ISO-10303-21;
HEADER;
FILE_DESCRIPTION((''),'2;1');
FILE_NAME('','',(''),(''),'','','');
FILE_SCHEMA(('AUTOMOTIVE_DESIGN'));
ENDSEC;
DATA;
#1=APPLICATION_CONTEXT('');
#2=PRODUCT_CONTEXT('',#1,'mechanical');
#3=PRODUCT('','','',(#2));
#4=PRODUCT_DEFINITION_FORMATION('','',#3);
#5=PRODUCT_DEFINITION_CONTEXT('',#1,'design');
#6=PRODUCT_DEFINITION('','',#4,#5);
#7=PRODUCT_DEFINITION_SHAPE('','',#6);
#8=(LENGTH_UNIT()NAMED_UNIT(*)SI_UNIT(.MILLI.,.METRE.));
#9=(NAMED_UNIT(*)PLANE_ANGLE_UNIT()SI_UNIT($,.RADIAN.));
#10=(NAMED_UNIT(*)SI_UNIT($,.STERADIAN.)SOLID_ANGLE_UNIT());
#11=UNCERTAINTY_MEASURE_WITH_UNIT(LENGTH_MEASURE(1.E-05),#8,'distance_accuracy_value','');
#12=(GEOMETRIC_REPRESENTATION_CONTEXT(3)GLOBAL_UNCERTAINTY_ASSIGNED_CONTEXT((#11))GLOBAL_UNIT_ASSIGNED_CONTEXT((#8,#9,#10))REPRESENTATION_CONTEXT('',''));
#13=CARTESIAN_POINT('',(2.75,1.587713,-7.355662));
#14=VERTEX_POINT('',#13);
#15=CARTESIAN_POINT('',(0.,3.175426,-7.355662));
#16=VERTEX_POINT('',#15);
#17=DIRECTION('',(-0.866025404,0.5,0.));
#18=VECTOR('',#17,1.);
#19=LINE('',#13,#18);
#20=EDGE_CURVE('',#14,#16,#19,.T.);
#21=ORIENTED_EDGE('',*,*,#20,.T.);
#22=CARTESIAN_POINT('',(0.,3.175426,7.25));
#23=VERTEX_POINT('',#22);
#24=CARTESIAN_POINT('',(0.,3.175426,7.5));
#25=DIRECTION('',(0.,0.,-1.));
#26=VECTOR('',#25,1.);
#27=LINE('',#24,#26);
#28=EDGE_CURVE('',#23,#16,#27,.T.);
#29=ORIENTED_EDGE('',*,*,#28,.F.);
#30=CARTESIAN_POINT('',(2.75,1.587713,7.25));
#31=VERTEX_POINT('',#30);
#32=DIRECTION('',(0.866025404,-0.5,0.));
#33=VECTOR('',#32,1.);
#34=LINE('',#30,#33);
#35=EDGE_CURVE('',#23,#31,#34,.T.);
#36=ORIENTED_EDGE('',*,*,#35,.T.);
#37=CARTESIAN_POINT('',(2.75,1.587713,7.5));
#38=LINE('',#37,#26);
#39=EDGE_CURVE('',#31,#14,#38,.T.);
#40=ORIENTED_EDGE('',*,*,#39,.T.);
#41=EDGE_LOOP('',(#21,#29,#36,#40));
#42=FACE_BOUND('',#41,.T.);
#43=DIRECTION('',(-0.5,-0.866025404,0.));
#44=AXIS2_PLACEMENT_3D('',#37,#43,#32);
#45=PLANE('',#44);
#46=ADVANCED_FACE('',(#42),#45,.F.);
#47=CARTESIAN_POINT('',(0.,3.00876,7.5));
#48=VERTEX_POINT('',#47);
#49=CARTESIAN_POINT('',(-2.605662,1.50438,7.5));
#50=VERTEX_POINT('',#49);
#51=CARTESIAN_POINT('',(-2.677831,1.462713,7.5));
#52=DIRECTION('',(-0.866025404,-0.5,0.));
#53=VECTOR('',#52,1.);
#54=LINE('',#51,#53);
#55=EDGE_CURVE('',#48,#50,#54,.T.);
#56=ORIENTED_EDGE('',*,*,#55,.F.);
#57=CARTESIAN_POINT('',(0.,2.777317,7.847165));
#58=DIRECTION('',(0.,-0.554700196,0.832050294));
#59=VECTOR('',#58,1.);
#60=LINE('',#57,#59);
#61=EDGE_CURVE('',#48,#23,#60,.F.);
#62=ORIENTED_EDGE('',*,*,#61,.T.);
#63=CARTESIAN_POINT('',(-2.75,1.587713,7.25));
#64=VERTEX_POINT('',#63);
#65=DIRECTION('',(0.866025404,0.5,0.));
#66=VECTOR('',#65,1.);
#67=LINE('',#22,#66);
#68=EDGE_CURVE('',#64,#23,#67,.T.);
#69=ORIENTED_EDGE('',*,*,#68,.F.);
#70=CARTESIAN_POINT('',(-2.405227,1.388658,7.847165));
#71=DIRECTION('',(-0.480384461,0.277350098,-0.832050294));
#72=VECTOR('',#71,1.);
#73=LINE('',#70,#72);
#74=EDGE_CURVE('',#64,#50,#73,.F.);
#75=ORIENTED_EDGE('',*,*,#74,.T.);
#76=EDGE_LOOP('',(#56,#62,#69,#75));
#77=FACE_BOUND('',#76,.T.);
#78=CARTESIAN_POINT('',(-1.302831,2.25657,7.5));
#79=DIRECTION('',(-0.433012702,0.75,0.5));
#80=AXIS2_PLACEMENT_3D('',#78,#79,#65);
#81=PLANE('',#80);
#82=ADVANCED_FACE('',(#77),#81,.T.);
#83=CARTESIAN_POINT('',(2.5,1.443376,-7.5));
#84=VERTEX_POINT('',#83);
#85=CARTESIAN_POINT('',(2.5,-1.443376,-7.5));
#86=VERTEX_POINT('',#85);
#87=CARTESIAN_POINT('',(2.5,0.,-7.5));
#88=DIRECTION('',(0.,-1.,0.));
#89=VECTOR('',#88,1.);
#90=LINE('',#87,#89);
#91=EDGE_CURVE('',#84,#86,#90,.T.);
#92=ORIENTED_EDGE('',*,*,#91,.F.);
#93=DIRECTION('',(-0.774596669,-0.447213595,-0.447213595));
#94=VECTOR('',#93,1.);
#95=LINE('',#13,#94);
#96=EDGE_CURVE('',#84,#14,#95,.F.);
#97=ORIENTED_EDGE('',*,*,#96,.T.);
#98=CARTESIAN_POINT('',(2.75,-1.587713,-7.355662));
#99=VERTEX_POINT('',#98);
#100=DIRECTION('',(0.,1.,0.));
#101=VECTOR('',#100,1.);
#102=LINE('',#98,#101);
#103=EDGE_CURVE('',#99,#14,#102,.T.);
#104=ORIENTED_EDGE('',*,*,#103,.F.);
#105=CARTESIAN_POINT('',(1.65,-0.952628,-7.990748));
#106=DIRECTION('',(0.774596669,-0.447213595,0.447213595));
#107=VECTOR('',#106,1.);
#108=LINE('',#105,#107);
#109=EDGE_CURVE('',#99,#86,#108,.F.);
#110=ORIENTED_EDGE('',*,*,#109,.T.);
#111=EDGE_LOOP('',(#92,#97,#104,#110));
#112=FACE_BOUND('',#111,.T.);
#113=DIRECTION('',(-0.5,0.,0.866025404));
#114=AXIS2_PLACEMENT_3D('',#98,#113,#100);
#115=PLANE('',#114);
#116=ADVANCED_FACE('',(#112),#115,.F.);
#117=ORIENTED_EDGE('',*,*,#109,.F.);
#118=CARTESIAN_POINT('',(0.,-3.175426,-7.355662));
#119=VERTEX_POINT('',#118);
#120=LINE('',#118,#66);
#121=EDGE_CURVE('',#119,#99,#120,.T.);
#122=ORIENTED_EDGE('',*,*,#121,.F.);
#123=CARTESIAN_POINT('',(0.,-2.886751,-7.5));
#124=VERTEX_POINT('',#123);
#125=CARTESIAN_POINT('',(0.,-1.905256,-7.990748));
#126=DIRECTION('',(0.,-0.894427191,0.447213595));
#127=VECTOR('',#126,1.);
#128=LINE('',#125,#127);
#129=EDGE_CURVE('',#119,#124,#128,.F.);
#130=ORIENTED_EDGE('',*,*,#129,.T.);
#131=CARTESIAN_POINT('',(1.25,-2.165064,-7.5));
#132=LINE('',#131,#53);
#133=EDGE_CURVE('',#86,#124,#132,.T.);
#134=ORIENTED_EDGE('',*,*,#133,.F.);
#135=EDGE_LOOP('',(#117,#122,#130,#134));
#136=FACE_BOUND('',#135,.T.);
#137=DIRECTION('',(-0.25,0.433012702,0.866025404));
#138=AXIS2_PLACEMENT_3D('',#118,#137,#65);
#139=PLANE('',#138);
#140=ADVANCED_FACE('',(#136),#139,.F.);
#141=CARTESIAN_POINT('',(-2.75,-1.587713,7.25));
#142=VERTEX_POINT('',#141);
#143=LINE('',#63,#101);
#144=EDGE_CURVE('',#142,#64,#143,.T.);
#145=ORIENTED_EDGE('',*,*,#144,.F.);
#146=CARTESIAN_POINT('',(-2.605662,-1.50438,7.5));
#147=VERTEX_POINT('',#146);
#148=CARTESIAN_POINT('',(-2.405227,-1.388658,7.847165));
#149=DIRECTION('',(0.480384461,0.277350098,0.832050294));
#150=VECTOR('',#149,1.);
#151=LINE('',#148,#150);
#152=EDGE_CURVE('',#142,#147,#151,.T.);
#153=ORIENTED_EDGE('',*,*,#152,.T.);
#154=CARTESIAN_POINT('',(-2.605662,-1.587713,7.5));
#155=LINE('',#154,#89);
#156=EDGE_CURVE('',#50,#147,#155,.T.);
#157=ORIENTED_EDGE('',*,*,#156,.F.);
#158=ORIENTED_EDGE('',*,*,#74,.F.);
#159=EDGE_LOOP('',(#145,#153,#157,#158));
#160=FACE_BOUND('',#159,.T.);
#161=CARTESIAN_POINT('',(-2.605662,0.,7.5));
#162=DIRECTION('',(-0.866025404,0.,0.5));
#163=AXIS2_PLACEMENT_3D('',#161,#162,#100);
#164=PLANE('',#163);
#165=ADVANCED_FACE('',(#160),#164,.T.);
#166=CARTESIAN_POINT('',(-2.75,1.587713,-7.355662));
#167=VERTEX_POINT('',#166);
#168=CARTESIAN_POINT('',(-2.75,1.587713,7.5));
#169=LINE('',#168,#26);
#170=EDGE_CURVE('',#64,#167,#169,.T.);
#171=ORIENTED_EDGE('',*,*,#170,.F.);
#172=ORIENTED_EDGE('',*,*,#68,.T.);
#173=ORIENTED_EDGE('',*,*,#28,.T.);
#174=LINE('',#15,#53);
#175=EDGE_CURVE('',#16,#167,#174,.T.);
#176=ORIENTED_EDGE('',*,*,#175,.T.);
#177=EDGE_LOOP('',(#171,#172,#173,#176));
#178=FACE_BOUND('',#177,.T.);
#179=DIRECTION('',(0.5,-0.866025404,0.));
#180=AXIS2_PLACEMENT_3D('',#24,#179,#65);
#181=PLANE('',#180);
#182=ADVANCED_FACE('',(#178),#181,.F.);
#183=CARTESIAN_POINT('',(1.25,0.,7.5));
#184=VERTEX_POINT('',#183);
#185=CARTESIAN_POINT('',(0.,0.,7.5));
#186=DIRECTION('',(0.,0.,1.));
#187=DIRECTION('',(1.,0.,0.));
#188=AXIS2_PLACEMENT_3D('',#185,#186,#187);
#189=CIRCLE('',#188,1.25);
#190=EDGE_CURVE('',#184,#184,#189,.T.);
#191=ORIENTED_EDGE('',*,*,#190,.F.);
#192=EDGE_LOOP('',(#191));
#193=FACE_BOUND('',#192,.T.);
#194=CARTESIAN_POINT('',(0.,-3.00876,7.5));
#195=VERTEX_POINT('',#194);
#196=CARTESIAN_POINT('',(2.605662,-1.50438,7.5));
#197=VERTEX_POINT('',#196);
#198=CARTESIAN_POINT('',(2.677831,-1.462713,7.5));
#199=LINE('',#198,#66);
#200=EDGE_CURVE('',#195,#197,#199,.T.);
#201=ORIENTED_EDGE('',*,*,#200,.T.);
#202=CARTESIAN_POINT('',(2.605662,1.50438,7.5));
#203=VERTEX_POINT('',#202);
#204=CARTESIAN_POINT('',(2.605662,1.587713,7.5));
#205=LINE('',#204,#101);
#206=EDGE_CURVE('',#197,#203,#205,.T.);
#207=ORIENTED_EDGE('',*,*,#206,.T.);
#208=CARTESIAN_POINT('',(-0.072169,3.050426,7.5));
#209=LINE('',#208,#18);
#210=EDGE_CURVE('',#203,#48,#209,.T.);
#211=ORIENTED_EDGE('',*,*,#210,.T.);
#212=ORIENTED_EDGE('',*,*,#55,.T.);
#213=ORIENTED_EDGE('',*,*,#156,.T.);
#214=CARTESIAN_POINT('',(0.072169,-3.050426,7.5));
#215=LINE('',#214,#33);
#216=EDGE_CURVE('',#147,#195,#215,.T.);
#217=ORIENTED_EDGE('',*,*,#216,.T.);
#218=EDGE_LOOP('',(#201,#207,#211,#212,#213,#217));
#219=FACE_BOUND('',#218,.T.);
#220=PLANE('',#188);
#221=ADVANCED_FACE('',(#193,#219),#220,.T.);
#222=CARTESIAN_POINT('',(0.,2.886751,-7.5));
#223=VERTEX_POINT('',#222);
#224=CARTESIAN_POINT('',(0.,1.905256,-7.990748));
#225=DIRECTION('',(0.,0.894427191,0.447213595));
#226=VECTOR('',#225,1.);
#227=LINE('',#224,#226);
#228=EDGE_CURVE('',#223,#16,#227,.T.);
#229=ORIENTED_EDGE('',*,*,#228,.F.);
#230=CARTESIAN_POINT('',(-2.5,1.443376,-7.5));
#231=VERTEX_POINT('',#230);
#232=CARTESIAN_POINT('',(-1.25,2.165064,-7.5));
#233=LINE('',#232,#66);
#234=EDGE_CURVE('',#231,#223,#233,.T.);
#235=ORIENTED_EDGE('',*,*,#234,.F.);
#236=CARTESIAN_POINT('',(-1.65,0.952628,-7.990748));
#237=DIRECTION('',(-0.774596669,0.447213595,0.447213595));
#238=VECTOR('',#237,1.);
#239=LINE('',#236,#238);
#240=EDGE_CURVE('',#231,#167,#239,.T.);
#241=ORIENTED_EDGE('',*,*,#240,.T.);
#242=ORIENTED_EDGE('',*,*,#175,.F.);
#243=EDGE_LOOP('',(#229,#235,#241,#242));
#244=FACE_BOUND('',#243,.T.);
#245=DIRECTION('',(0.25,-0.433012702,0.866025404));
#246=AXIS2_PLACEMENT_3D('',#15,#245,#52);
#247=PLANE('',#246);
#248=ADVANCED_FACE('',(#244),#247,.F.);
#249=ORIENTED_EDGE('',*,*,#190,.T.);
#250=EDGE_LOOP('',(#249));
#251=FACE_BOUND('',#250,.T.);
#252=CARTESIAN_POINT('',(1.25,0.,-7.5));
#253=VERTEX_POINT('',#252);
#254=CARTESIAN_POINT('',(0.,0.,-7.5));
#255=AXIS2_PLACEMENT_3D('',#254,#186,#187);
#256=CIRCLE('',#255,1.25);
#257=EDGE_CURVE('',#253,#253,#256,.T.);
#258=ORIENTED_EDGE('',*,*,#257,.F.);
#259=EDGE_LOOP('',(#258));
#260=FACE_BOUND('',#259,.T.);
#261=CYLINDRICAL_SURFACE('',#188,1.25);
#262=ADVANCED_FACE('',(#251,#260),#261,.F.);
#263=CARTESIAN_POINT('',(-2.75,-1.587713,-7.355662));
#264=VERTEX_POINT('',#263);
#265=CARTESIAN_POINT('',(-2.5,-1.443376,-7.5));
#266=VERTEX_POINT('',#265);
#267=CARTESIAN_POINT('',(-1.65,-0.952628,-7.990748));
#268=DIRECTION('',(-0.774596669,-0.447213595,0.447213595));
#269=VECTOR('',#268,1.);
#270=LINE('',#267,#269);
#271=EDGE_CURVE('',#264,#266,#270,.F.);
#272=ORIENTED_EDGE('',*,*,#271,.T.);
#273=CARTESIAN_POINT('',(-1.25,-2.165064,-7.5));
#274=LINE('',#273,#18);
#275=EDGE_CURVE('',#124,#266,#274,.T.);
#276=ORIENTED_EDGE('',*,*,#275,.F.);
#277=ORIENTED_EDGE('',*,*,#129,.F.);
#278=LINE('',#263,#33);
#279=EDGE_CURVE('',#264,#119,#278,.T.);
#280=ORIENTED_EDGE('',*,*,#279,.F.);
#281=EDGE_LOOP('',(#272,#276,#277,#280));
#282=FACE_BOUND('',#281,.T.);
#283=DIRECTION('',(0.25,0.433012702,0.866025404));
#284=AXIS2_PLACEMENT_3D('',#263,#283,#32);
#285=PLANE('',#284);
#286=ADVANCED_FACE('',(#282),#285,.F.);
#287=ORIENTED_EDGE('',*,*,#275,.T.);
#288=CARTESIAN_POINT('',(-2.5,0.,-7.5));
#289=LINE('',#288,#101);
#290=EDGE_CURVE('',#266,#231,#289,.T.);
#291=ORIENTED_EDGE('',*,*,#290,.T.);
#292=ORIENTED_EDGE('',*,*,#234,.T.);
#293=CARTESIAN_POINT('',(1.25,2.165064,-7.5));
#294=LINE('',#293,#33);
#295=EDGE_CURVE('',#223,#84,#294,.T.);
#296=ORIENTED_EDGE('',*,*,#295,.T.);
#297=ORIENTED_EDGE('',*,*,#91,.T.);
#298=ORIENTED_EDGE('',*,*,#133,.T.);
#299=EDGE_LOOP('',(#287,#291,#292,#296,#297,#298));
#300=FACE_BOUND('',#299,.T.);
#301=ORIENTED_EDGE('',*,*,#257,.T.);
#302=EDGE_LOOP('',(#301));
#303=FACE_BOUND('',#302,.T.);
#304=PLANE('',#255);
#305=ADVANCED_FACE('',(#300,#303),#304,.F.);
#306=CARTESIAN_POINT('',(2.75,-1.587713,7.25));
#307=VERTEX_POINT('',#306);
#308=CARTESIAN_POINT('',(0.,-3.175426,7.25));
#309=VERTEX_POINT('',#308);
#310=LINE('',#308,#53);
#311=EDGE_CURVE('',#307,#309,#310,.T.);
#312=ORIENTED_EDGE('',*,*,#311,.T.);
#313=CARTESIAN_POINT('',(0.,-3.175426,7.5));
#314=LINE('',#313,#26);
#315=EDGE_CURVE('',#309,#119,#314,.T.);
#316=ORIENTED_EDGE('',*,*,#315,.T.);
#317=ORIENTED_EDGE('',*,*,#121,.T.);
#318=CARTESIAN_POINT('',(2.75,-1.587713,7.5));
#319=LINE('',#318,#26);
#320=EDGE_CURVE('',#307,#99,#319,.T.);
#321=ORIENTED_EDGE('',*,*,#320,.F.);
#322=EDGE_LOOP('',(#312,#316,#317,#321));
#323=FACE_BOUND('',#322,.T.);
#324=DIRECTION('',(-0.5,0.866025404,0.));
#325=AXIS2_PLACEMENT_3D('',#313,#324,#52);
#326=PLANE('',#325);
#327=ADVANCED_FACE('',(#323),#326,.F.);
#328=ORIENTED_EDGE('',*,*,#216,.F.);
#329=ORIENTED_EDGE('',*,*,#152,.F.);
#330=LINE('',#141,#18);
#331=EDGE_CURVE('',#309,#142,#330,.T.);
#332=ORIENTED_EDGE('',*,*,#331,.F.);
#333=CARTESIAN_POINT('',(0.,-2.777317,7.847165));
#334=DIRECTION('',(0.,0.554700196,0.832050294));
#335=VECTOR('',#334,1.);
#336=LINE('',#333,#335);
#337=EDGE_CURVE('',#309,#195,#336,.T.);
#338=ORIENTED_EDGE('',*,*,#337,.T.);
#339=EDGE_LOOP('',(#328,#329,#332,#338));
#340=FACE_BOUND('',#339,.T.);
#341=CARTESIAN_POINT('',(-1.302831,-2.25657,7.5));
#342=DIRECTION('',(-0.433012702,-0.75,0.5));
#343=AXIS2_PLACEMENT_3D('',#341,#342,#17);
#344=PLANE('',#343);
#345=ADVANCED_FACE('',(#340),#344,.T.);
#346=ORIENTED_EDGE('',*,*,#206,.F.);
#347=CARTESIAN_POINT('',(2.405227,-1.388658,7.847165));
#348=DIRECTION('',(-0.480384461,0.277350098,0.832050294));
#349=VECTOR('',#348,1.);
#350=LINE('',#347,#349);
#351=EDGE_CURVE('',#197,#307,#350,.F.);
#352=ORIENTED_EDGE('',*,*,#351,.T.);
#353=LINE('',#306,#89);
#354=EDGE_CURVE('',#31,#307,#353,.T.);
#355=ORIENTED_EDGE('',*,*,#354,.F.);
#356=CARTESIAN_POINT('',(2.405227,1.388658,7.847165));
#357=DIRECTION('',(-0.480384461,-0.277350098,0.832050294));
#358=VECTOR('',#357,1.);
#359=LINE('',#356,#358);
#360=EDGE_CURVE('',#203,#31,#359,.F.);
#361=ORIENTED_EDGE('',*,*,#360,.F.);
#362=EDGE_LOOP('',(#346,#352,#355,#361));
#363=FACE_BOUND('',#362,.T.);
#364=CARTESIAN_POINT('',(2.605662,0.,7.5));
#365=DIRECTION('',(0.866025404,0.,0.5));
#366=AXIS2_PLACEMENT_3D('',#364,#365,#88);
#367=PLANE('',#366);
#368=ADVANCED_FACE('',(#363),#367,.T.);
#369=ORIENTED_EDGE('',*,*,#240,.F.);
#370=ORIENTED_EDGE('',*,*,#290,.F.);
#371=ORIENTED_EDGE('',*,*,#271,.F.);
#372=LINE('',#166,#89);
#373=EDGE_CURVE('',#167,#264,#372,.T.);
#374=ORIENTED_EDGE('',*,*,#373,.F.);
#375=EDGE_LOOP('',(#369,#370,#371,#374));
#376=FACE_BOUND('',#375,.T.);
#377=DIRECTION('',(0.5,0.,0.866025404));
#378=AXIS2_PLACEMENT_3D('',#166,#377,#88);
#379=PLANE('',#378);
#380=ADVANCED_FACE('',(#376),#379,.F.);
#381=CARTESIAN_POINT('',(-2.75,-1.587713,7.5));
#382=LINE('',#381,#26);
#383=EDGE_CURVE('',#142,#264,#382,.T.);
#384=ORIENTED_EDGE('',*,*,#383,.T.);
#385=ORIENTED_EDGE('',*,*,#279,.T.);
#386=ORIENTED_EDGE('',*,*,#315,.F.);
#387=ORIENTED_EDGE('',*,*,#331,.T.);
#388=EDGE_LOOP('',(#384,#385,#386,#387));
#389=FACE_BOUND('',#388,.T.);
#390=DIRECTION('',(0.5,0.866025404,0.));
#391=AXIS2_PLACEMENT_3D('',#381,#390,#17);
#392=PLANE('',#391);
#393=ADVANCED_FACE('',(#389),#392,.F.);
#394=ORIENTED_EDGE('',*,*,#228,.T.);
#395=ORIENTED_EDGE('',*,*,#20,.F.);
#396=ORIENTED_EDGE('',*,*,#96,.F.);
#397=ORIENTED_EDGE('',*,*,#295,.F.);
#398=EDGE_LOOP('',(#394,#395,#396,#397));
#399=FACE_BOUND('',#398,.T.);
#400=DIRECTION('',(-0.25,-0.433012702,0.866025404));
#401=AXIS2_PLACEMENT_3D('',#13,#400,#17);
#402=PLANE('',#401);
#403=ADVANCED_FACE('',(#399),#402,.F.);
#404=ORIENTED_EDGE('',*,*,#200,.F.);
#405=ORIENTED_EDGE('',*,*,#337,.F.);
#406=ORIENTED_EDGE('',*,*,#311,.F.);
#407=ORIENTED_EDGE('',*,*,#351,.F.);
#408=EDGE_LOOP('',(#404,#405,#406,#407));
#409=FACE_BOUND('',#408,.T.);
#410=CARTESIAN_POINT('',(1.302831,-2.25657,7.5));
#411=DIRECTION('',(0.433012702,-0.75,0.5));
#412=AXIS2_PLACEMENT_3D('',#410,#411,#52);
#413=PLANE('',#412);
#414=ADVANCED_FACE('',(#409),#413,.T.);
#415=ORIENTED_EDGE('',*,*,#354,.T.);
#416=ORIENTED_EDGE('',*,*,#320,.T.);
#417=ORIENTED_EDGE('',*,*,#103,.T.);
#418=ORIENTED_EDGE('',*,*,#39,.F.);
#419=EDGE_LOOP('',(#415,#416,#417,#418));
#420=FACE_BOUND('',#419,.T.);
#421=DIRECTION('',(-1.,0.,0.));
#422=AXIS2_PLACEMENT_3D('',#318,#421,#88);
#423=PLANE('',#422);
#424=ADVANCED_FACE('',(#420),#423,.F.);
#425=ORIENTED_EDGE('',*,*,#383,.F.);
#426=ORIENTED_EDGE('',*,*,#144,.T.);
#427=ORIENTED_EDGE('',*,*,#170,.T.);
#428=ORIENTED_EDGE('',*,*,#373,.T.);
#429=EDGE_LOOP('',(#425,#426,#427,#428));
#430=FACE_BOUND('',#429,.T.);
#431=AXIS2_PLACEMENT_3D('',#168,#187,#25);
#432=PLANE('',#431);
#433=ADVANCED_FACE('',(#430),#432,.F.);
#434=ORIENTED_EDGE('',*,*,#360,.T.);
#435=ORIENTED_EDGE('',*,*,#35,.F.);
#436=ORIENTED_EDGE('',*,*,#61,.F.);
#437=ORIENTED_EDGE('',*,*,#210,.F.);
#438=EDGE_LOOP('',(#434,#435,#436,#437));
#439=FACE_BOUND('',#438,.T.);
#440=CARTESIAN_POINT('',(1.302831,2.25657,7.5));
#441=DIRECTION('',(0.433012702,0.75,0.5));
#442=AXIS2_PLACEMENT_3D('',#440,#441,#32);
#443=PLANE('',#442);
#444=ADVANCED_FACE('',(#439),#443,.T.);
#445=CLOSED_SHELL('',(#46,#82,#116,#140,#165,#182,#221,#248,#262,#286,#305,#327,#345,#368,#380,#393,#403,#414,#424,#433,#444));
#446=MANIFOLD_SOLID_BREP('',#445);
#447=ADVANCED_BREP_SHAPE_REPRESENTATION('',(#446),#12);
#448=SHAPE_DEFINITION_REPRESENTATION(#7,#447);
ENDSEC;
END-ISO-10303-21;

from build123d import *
from OCP.BRepFilletAPI import BRepFilletAPI_MakeChamfer

# Parameters (mm, degrees)
EXTRUDE_1_DEPTH    = 7.5
HOLE_WIZARD_M3_1_D = 2.5
CHAMFER_2_SIZE     = 0.25
CHAMFER_2_SIZE2    = 0.144337567


with BuildPart() as part:
    # ｽｹｯﾁ1 → ﾎﾞｽ - 押し出し1 (new, symmetric)
    with BuildSketch(Plane.XY):
        Polygon((-2.75, 1.58771324), (-2.75, -1.58771324), (0, -3.175426481), (2.75, -1.58771324), (2.75, 1.58771324), (0, 3.175426481), align=None)
    extrude(amount=EXTRUDE_1_DEPTH, both=True)

    # M3 ねじ穴1 (through all)
    with Locations(Plane.XY.offset(7.5)):
        with Locations((0, 0)):
            Hole(HOLE_WIZARD_M3_1_D / 2)

    # 面取り2: one chamfer whose edges measure the first distance from different faces: ONE call of the kernel's chamfer builder (chamfer() names one face for all edges)
    chamfer_2_edges_1 = [part.edges().sort_by_distance(p)[0] for p in [
        (-1.375, -2.38156986, 7.5),
    ]]
    chamfer_2_side_1 = [part.faces().sort_by_distance(p)[0] for p in [
        (-1.375, -2.38156986, 0),
    ]]
    chamfer_2_edges_2 = [part.edges().sort_by_distance(p)[0] for p in [
        (1.375, -2.38156986, 7.5),
    ]]
    chamfer_2_side_2 = [part.faces().sort_by_distance(p)[0] for p in [
        (1.375, -2.38156986, 0),
    ]]
    chamfer_2_edges_3 = [part.edges().sort_by_distance(p)[0] for p in [
        (2.75, 0, 7.5),
    ]]
    chamfer_2_side_3 = [part.faces().sort_by_distance(p)[0] for p in [
        (2.75, 0, 0),
    ]]
    chamfer_2_edges_4 = [part.edges().sort_by_distance(p)[0] for p in [
        (1.375, 2.38156986, 7.5),
    ]]
    chamfer_2_side_4 = [part.faces().sort_by_distance(p)[0] for p in [
        (1.375, 2.38156986, 0),
    ]]
    chamfer_2_edges_5 = [part.edges().sort_by_distance(p)[0] for p in [
        (-1.375, 2.38156986, 7.5),
    ]]
    chamfer_2_side_5 = [part.faces().sort_by_distance(p)[0] for p in [
        (-1.375, 2.38156986, 0),
    ]]
    chamfer_2_edges_6 = [part.edges().sort_by_distance(p)[0] for p in [
        (1.375, 2.38156986, -7.5),
        (2.75, 0, -7.5),
        (1.375, -2.38156986, -7.5),
        (-1.375, -2.38156986, -7.5),
        (-2.75, 0, -7.5),
        (-1.375, 2.38156986, -7.5),
    ]]
    chamfer_2_side_6 = [part.faces().sort_by_distance(p)[0] for p in [
        (-2.665986112, 0, -7.5),
    ]]
    chamfer_2_edges_7 = [part.edges().sort_by_distance(p)[0] for p in [
        (-2.75, 0, 7.5),
    ]]
    chamfer_2_side_7 = [part.faces().sort_by_distance(p)[0] for p in [
        (-2.75, 0, 0),
    ]]
    chamfer_2 = BRepFilletAPI_MakeChamfer(part.part.solid().wrapped)
    for e in chamfer_2_edges_1:
        chamfer_2.Add(CHAMFER_2_SIZE, CHAMFER_2_SIZE2, e.wrapped, chamfer_2_side_1[0].wrapped)  # the first distance lies on this face
    for e in chamfer_2_edges_2:
        chamfer_2.Add(CHAMFER_2_SIZE, CHAMFER_2_SIZE2, e.wrapped, chamfer_2_side_2[0].wrapped)  # the first distance lies on this face
    for e in chamfer_2_edges_3:
        chamfer_2.Add(CHAMFER_2_SIZE, CHAMFER_2_SIZE2, e.wrapped, chamfer_2_side_3[0].wrapped)  # the first distance lies on this face
    for e in chamfer_2_edges_4:
        chamfer_2.Add(CHAMFER_2_SIZE, CHAMFER_2_SIZE2, e.wrapped, chamfer_2_side_4[0].wrapped)  # the first distance lies on this face
    for e in chamfer_2_edges_5:
        chamfer_2.Add(CHAMFER_2_SIZE, CHAMFER_2_SIZE2, e.wrapped, chamfer_2_side_5[0].wrapped)  # the first distance lies on this face
    for e in chamfer_2_edges_6:
        chamfer_2.Add(CHAMFER_2_SIZE, CHAMFER_2_SIZE2, e.wrapped, chamfer_2_side_6[0].wrapped)  # the first distance lies on this face
    for e in chamfer_2_edges_7:
        chamfer_2.Add(CHAMFER_2_SIZE, CHAMFER_2_SIZE2, e.wrapped, chamfer_2_side_7[0].wrapped)  # the first distance lies on this face
    add(Compound.cast(chamfer_2.Shape()), mode=Mode.REPLACE)


solid = part.part
